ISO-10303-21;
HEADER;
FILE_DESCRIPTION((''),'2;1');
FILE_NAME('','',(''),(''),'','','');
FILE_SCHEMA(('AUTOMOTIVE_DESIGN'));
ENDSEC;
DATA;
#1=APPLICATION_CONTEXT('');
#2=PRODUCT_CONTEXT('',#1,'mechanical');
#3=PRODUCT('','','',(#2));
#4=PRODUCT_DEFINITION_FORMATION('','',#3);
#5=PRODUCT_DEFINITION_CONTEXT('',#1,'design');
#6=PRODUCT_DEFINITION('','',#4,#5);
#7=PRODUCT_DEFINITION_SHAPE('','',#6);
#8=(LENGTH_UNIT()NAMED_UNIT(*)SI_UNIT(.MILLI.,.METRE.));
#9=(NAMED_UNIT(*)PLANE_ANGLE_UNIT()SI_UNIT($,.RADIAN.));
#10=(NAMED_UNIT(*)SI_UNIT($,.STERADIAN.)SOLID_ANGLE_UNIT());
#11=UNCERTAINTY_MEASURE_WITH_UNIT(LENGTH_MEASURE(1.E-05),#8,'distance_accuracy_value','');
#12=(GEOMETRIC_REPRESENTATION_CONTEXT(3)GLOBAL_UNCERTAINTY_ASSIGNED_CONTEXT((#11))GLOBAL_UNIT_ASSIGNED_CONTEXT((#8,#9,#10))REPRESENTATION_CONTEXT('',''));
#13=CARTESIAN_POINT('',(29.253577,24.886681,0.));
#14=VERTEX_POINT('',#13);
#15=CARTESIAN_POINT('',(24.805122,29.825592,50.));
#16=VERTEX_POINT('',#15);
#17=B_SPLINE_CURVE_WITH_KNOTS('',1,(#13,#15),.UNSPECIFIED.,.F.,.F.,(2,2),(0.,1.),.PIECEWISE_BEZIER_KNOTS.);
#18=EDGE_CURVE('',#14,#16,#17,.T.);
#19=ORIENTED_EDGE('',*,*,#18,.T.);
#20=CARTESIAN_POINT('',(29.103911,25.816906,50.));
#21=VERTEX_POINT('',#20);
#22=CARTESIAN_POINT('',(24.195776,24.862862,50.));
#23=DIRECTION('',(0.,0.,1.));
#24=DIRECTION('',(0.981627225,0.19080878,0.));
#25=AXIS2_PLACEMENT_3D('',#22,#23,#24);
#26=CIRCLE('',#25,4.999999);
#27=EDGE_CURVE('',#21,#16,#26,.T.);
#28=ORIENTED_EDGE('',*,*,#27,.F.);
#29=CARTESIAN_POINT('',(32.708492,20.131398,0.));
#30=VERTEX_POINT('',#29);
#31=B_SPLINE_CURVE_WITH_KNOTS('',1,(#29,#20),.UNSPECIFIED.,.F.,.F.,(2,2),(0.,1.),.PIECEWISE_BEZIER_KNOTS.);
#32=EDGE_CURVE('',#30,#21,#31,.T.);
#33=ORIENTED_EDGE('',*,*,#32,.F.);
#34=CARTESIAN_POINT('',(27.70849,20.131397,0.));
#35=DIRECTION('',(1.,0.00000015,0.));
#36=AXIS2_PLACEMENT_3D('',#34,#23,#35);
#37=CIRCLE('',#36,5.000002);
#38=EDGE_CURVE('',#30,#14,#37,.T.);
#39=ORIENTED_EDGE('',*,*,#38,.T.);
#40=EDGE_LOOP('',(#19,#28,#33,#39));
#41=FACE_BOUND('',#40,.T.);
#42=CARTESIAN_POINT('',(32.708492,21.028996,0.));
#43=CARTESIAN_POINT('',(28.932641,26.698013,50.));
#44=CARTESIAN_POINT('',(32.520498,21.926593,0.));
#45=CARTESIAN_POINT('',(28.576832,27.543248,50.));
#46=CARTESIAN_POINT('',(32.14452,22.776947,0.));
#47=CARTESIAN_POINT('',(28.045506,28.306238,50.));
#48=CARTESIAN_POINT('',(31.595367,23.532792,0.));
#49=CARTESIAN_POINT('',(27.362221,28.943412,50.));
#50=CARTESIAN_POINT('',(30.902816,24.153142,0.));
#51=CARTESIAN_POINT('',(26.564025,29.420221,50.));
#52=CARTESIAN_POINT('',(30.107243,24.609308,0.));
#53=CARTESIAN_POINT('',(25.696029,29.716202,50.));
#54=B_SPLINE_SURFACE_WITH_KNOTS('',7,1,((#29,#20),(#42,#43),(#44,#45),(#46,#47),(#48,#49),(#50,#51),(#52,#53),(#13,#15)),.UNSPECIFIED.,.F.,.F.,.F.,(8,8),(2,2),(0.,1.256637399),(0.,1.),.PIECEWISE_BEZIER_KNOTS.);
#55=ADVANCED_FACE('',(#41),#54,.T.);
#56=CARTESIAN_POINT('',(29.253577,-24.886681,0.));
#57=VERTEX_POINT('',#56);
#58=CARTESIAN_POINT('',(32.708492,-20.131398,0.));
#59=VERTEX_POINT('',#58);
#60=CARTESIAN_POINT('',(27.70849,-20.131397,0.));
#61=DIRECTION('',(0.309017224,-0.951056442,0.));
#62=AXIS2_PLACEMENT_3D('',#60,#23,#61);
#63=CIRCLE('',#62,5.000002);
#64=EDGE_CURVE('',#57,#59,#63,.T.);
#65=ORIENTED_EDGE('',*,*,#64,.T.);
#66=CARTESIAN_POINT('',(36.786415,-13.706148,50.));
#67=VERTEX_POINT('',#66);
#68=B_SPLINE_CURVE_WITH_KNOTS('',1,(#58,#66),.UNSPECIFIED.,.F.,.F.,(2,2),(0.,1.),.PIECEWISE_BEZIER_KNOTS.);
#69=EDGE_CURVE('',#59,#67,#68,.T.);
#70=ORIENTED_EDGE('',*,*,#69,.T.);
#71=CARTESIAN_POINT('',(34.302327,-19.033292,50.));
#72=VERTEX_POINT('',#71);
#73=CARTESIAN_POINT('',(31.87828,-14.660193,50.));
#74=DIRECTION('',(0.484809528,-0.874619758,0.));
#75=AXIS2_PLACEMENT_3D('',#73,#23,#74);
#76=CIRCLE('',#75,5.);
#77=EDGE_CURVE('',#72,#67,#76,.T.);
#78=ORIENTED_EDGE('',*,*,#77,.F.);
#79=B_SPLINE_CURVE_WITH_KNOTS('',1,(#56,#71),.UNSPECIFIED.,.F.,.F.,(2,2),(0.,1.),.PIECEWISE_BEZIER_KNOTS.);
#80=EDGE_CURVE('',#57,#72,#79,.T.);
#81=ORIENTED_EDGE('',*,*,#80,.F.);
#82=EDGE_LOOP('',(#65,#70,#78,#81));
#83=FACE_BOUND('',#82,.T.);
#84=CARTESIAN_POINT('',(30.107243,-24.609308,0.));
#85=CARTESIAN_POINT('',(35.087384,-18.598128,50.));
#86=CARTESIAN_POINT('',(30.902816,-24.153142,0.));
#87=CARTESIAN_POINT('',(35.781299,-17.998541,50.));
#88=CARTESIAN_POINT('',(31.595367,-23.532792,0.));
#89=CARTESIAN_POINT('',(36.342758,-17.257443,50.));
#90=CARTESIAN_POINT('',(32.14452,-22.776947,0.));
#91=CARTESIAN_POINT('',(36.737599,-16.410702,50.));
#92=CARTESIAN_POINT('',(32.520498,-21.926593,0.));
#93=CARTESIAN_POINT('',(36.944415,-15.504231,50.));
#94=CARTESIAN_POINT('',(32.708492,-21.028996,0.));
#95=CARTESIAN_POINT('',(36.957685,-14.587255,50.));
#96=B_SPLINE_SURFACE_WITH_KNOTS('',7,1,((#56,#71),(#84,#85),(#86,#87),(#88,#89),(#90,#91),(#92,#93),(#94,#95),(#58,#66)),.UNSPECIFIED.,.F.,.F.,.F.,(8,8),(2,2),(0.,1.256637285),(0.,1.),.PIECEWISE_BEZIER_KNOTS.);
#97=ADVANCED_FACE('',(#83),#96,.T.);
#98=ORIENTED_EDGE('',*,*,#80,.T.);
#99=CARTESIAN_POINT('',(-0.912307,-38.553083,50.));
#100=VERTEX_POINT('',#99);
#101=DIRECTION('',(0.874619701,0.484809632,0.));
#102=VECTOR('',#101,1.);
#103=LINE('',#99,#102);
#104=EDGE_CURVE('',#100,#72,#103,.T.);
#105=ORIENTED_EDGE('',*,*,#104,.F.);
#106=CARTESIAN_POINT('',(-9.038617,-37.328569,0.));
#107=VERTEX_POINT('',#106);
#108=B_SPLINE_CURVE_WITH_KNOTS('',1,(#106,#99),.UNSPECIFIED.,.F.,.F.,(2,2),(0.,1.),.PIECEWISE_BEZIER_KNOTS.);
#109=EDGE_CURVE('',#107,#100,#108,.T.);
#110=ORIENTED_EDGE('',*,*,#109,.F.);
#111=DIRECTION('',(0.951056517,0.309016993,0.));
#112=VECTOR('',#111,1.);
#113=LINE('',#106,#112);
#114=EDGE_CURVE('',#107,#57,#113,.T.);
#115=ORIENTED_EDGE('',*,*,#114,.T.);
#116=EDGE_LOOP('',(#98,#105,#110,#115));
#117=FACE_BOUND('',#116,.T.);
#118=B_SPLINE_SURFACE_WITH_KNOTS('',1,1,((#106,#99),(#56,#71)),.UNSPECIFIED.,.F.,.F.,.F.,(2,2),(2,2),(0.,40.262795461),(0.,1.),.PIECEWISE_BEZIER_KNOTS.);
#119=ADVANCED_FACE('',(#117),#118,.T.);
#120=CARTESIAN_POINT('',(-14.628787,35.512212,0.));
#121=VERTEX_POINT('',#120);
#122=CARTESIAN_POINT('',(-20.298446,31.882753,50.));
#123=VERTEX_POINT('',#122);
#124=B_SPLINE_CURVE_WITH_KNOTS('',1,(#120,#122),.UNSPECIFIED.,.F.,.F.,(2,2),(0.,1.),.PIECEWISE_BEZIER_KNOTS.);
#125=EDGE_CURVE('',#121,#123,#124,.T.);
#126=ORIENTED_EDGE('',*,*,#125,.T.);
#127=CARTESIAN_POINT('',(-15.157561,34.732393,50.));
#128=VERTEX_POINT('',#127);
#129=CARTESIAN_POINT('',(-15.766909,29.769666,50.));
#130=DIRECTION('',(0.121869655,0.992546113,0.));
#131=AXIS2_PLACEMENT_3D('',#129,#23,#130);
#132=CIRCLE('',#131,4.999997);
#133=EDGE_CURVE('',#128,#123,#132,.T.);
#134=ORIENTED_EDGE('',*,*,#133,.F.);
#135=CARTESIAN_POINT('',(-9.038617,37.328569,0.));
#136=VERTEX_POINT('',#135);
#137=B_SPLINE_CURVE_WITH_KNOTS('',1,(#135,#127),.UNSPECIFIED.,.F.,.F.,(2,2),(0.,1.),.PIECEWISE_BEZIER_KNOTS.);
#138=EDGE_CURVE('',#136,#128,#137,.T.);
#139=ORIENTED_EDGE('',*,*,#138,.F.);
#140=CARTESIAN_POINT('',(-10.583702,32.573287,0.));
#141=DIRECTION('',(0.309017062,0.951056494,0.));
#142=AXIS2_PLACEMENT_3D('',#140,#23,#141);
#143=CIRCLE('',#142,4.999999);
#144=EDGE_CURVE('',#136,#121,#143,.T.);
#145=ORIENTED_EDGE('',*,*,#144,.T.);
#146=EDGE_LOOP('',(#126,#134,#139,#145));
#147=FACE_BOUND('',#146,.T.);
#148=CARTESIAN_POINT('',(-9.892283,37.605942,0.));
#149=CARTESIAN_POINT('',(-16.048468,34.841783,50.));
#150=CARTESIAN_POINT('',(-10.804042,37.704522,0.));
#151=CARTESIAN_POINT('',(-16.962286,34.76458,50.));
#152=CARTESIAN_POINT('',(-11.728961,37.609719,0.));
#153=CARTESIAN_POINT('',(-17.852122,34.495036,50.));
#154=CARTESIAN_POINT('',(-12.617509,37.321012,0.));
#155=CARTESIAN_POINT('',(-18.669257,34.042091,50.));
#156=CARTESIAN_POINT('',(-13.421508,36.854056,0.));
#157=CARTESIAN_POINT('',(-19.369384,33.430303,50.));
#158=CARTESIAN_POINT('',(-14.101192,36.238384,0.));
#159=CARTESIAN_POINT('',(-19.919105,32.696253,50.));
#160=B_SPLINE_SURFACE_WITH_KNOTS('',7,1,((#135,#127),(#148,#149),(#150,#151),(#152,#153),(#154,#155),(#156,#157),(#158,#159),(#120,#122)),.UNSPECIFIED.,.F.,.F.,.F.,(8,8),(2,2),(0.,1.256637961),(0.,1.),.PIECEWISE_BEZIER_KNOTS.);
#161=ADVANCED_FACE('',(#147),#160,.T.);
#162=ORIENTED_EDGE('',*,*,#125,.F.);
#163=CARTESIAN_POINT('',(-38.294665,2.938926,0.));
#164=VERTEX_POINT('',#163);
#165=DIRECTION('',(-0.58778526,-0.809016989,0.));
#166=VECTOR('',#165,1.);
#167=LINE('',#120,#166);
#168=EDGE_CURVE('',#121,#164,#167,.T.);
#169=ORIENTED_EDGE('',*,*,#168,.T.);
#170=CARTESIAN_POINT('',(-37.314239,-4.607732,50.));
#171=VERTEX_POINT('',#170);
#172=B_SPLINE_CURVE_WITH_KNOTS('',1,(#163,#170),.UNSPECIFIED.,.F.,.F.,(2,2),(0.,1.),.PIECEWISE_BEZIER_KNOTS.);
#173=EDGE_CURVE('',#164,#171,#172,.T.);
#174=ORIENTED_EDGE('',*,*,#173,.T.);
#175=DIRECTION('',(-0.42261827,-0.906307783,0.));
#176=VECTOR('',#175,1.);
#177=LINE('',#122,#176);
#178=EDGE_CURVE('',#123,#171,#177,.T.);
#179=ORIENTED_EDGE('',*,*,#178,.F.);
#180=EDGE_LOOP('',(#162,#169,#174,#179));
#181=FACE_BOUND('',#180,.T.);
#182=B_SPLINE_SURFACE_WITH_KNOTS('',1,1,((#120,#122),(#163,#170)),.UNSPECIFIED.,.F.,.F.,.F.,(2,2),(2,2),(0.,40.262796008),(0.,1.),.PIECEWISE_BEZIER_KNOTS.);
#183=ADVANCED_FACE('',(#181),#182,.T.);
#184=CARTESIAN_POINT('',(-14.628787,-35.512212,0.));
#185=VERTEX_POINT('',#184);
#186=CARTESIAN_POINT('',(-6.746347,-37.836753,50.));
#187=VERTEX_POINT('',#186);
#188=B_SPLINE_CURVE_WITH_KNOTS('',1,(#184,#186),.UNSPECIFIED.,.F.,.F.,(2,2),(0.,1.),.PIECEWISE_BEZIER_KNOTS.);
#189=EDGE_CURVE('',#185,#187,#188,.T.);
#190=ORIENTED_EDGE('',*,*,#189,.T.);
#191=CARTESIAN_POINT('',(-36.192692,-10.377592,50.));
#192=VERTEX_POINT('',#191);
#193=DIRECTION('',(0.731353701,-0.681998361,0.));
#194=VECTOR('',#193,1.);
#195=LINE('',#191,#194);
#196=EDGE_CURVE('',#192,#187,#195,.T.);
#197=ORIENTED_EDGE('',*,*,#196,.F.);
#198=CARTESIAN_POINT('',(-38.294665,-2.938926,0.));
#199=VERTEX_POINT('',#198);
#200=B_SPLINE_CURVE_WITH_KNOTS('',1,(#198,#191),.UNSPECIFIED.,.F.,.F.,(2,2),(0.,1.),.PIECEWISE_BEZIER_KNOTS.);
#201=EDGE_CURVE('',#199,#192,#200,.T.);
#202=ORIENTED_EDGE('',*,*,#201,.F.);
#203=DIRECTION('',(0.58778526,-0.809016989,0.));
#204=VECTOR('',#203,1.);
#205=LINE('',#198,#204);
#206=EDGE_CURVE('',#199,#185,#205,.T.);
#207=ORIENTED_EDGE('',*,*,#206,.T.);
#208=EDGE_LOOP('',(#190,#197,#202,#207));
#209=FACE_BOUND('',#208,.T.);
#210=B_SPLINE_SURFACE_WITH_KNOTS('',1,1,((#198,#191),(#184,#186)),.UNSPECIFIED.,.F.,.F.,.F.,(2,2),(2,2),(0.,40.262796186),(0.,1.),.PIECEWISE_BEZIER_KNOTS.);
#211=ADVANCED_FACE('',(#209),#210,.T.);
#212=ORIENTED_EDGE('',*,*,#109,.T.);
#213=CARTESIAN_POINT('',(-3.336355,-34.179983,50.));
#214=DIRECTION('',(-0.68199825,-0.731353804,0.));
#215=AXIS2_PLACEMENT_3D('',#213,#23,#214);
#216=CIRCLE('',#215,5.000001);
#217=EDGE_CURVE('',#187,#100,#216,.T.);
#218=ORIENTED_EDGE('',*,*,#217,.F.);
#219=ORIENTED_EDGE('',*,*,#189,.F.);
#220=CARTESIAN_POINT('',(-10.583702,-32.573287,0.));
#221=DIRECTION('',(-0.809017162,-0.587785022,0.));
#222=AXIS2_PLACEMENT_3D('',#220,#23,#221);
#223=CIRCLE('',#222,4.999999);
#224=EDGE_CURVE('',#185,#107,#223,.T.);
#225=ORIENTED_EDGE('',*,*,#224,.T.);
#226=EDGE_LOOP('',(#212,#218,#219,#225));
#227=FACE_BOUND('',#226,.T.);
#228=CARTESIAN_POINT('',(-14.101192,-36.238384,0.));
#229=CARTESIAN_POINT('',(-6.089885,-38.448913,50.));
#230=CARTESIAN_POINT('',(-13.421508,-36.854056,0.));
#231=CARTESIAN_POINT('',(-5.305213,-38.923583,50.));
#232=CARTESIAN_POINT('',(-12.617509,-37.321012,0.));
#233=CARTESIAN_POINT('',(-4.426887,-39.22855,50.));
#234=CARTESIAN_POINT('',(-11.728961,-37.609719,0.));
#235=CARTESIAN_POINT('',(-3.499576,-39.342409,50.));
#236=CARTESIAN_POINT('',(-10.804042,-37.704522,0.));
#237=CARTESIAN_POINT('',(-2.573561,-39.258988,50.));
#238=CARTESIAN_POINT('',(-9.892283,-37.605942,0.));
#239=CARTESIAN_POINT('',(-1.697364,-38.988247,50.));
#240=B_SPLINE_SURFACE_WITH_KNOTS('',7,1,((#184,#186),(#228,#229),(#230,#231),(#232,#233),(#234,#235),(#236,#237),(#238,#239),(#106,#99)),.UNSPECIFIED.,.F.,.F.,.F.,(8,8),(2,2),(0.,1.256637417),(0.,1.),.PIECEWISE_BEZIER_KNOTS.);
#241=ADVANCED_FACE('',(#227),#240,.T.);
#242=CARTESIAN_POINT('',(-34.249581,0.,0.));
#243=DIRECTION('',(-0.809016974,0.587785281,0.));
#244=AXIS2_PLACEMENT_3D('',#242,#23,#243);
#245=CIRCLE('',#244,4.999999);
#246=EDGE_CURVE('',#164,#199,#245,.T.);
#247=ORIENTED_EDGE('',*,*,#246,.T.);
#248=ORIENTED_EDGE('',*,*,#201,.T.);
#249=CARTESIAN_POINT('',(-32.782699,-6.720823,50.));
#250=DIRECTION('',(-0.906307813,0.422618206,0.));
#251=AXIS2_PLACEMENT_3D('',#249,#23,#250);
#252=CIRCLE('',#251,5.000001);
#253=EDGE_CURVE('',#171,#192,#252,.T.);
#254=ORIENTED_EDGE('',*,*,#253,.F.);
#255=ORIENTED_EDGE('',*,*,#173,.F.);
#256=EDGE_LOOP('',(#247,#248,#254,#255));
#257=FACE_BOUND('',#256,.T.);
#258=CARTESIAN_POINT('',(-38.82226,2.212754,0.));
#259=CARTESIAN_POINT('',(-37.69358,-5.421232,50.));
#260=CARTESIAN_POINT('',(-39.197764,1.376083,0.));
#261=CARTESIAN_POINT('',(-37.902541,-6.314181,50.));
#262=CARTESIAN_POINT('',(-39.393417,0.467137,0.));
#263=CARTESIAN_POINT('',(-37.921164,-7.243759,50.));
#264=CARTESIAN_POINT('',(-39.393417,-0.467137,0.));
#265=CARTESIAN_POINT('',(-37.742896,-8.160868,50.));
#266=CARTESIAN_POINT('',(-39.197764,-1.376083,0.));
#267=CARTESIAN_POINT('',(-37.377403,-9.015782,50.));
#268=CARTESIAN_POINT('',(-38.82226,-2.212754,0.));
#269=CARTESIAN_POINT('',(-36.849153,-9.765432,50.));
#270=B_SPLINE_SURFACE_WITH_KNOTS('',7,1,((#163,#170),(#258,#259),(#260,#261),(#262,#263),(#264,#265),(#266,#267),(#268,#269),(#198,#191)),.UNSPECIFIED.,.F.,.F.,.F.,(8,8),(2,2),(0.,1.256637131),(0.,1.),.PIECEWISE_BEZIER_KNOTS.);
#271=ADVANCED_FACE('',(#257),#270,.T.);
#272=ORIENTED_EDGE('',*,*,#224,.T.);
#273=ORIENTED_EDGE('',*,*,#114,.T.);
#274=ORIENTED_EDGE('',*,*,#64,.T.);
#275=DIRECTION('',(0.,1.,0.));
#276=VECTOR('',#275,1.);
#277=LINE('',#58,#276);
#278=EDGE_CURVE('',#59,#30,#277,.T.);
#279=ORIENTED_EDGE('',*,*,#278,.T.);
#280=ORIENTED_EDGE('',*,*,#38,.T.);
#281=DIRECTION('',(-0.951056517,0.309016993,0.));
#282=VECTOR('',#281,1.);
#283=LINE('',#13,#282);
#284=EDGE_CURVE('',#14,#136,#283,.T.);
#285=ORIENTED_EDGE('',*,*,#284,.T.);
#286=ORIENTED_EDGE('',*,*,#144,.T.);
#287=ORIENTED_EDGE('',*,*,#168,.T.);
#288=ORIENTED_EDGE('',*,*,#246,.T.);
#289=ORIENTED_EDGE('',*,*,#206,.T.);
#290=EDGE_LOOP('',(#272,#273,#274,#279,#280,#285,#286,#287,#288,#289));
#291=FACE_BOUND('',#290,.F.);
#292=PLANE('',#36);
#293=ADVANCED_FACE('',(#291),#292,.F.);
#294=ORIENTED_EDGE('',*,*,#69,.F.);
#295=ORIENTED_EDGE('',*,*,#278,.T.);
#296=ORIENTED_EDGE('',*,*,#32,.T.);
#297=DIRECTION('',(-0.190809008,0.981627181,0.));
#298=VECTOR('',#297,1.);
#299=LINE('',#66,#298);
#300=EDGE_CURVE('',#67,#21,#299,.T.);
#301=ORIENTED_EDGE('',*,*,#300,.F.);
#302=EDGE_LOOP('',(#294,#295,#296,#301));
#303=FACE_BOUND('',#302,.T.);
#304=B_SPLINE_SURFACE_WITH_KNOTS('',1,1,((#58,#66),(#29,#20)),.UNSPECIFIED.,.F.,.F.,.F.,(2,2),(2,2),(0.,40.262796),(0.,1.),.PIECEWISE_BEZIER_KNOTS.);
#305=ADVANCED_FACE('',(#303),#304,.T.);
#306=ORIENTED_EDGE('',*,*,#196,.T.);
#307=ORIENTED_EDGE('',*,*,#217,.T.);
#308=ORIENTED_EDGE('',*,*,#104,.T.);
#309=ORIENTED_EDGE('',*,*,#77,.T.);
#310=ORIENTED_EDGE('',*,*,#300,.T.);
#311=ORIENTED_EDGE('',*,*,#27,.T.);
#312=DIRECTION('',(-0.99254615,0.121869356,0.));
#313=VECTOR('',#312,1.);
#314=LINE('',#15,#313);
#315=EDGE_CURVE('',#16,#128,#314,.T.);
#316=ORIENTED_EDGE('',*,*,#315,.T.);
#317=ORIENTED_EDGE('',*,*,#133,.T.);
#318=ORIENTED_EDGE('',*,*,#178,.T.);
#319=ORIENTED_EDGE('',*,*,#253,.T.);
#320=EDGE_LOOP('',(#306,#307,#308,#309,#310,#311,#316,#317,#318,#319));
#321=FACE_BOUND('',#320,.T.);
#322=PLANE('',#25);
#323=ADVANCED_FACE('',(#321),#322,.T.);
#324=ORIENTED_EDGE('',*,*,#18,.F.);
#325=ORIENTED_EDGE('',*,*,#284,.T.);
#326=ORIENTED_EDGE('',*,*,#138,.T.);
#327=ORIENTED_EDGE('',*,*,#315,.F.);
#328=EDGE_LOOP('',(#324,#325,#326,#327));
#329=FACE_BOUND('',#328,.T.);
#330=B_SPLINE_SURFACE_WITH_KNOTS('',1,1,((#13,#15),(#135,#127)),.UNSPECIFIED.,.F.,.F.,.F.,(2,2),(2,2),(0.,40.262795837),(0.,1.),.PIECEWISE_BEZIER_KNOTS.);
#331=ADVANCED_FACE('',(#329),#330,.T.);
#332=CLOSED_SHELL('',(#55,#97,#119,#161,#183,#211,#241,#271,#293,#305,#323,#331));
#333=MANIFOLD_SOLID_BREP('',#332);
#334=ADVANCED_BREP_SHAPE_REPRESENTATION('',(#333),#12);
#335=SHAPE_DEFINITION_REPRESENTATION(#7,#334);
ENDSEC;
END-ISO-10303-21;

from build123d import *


with BuildPart() as f3:
    # F0 (on Top) → F3 section 0
    with BuildSketch(Plane.XY):
        with BuildLine():
            Line((32.708492, -20.131398), (32.708492, 20.131398))
            ThreePointArc((32.708492, 20.131398), (31.753577, 23.070324), (29.253577, 24.886681))
            Line((29.253577, 24.886681), (-9.038617, 37.328569))
            ThreePointArc((-9.038617, 37.328569), (-12.128787, 37.328569), (-14.628787, 35.512212))
            Line((-14.628787, 35.512212), (-38.294665, 2.938926))
            ThreePointArc((-38.294665, 2.938926), (-39.24958, 0), (-38.294665, -2.938926))
            Line((-38.294665, -2.938926), (-14.628787, -35.512212))
            ThreePointArc((-14.628787, -35.512212), (-12.128787, -37.328569), (-9.038617, -37.328569))
            Line((-9.038617, -37.328569), (29.253577, -24.886681))
            ThreePointArc((29.253577, -24.886681), (31.753577, -23.070324), (32.708492, -20.131398))
        make_face()
    # F2 (on offset) → F3 section 1
    with BuildSketch(Plane.XY.offset(50)):
        with BuildLine():
            Line((-20.298446, 31.882753), (-37.314239, -4.607732))
            ThreePointArc((-37.314239, -4.607732), (-37.690836, -7.674868), (-36.192692, -10.377592))
            Line((-36.192692, -10.377592), (-6.746347, -37.836753))
            ThreePointArc((-6.746347, -37.836753), (-3.945702, -39.142715), (-0.912307, -38.553083))
            Line((-0.912307, -38.553083), (34.302327, -19.033292))
            ThreePointArc((34.302327, -19.033292), (36.409818, -16.773285), (36.786415, -13.706148))
            Line((36.786415, -13.706148), (29.103911, 25.816906))
            ThreePointArc((29.103911, 25.816906), (27.605767, 28.51963), (24.805122, 29.825592))
            Line((24.805122, 29.825592), (-15.157561, 34.732393))
            ThreePointArc((-15.157561, 34.732393), (-18.190956, 34.142761), (-20.298446, 31.882753))
        make_face()
    loft()


solid = f3.part
